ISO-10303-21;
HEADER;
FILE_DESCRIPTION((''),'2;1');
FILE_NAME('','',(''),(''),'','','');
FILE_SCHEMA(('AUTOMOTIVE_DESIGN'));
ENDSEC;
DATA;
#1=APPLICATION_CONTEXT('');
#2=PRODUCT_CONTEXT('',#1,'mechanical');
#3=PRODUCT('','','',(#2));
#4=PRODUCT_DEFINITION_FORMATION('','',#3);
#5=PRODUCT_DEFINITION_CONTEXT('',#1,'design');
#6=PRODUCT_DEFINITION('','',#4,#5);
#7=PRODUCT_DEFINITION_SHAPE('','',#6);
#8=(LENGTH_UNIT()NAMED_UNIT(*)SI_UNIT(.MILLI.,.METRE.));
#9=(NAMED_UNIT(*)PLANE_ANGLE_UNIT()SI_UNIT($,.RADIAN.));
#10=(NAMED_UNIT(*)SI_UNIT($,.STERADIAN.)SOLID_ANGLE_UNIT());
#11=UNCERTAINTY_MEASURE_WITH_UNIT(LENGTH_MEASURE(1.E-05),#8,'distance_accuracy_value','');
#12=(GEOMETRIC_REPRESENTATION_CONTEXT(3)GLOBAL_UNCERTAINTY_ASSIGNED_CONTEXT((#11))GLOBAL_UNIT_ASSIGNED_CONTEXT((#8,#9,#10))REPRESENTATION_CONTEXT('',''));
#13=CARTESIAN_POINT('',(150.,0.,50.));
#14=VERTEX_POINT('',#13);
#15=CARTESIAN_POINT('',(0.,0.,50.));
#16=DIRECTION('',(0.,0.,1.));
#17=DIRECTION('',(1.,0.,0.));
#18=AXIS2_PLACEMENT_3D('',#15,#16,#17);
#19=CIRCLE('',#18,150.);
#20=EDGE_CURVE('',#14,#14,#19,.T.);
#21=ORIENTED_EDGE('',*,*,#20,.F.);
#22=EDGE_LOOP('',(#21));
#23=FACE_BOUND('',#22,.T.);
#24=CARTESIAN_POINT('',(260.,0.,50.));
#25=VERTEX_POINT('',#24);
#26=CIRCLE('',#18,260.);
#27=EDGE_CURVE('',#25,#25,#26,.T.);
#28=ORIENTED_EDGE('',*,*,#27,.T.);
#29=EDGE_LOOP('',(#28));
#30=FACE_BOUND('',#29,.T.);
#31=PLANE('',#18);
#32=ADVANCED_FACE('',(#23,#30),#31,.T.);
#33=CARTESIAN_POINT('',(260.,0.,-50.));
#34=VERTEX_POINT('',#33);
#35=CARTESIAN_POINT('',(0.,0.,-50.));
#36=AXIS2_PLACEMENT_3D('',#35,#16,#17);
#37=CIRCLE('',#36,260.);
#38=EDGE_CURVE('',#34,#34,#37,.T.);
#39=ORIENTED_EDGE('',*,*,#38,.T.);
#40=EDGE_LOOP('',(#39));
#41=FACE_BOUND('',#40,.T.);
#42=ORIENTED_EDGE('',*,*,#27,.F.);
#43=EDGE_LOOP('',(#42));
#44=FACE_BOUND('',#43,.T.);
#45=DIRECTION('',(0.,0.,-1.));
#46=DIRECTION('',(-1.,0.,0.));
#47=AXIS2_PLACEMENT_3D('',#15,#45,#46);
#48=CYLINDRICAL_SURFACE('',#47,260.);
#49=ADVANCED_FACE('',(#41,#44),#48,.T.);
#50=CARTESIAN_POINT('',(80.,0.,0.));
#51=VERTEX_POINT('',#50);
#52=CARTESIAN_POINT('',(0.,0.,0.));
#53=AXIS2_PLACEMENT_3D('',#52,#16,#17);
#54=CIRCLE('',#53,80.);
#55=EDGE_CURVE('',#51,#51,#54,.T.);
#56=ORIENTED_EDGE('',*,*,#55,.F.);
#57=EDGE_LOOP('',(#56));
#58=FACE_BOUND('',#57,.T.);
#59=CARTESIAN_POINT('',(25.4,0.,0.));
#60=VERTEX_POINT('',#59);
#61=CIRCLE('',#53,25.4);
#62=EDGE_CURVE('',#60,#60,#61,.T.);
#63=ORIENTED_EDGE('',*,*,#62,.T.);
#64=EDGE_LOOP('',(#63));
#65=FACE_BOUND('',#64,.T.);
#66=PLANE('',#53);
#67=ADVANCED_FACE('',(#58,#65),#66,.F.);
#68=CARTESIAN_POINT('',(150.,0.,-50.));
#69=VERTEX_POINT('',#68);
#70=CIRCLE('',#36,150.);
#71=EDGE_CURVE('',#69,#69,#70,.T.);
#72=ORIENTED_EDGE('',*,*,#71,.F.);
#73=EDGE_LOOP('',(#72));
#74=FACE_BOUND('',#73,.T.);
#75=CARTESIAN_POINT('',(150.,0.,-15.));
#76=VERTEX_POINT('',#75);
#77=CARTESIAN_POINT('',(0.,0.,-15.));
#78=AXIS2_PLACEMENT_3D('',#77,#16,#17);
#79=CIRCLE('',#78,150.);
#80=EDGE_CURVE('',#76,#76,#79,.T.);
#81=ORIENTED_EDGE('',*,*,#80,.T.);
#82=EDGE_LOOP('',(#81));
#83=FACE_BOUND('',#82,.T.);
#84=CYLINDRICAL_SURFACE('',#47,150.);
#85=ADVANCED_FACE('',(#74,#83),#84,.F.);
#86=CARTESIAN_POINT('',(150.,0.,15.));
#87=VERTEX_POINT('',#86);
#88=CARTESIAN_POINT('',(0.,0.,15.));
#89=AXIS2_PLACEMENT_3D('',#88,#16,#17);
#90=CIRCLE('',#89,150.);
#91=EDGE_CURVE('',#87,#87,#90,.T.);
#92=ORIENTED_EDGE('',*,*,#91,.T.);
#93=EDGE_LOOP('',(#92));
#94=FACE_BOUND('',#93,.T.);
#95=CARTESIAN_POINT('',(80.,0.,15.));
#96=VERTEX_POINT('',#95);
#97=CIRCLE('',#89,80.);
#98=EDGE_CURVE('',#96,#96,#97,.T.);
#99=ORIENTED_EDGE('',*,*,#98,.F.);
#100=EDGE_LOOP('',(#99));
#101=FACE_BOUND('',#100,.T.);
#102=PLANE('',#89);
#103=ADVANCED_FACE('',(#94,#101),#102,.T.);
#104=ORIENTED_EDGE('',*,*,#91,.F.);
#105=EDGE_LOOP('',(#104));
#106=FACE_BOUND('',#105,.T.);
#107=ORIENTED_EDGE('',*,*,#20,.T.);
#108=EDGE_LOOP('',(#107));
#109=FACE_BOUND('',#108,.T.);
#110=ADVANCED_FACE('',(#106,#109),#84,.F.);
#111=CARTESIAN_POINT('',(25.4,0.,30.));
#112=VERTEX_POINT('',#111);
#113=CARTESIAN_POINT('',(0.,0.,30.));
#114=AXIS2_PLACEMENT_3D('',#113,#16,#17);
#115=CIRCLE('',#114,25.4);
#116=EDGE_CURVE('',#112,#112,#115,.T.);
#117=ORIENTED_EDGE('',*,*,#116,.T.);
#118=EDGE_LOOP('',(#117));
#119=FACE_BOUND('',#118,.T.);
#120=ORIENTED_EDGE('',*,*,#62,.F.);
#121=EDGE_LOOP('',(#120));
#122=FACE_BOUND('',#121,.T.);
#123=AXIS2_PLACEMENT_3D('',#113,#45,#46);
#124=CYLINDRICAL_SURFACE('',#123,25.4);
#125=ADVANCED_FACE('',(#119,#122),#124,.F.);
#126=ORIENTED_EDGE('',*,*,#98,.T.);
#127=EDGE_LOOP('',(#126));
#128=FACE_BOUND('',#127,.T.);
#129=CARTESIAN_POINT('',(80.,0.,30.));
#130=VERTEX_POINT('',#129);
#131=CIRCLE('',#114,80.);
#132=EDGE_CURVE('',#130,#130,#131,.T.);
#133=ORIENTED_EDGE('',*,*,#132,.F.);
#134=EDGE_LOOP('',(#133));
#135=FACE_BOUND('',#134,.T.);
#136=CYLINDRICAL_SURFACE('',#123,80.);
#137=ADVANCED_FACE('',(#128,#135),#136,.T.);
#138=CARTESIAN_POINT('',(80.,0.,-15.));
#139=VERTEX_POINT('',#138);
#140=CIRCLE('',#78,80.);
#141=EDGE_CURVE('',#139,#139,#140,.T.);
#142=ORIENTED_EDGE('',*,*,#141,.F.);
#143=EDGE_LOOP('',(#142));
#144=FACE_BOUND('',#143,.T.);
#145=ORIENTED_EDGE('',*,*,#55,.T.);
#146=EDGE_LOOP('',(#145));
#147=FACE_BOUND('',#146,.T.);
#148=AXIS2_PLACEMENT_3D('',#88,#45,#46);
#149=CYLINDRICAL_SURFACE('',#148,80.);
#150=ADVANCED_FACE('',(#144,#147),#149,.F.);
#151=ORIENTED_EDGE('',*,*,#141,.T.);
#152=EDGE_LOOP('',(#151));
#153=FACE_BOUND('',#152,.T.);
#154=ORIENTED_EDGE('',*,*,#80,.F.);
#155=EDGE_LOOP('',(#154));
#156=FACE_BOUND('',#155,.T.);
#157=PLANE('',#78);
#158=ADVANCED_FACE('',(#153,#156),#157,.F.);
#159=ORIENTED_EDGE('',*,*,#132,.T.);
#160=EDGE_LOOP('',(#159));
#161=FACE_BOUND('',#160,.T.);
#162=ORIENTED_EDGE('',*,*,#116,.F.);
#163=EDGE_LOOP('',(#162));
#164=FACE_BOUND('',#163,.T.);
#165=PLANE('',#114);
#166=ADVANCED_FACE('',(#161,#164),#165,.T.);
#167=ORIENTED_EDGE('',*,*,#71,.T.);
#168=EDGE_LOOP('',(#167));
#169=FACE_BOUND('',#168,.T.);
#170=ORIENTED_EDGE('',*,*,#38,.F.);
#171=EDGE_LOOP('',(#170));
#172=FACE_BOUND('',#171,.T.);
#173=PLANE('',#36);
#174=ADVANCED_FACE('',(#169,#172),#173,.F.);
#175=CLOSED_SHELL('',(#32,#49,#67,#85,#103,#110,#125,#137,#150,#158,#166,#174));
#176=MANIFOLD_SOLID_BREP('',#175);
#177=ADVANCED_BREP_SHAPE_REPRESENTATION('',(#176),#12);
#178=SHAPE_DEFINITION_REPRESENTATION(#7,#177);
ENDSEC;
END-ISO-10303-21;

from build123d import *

# Parameters (mm, degrees)
CROQUIS1_R              = 260
CROQUIS1_R_2            = 150
SALIENTE_EXTRUIR1_DEPTH = 50
CROQUIS1_3_R            = 150
CROQUIS1_3_R_2          = 80
SALIENTE_EXTRUIR2_DEPTH = 15
CROQUIS1_4_R            = 80
CROQUIS1_4_R_2          = 25.4
SALIENTE_EXTRUIR3_DEPTH = 30


with BuildPart() as part:
    # Croquis1 → Saliente-Extruir1 (new, symmetric)
    with BuildSketch(Plane.XY):
        Circle(CROQUIS1_R)
        Circle(CROQUIS1_R_2, mode=Mode.SUBTRACT)
    extrude(amount=SALIENTE_EXTRUIR1_DEPTH, both=True)

    # Croquis1<3> → Saliente-Extruir2 (add, symmetric)
    with BuildSketch(Plane.XY):
        Circle(CROQUIS1_3_R)
        Circle(CROQUIS1_3_R_2, mode=Mode.SUBTRACT)
    extrude(amount=SALIENTE_EXTRUIR2_DEPTH, both=True)

    # Croquis1<4> → Saliente-Extruir3 (add)
    with BuildSketch(Plane.XY):
        Circle(CROQUIS1_4_R)
        Circle(CROQUIS1_4_R_2, mode=Mode.SUBTRACT)
    extrude(amount=SALIENTE_EXTRUIR3_DEPTH)


solid = part.part
